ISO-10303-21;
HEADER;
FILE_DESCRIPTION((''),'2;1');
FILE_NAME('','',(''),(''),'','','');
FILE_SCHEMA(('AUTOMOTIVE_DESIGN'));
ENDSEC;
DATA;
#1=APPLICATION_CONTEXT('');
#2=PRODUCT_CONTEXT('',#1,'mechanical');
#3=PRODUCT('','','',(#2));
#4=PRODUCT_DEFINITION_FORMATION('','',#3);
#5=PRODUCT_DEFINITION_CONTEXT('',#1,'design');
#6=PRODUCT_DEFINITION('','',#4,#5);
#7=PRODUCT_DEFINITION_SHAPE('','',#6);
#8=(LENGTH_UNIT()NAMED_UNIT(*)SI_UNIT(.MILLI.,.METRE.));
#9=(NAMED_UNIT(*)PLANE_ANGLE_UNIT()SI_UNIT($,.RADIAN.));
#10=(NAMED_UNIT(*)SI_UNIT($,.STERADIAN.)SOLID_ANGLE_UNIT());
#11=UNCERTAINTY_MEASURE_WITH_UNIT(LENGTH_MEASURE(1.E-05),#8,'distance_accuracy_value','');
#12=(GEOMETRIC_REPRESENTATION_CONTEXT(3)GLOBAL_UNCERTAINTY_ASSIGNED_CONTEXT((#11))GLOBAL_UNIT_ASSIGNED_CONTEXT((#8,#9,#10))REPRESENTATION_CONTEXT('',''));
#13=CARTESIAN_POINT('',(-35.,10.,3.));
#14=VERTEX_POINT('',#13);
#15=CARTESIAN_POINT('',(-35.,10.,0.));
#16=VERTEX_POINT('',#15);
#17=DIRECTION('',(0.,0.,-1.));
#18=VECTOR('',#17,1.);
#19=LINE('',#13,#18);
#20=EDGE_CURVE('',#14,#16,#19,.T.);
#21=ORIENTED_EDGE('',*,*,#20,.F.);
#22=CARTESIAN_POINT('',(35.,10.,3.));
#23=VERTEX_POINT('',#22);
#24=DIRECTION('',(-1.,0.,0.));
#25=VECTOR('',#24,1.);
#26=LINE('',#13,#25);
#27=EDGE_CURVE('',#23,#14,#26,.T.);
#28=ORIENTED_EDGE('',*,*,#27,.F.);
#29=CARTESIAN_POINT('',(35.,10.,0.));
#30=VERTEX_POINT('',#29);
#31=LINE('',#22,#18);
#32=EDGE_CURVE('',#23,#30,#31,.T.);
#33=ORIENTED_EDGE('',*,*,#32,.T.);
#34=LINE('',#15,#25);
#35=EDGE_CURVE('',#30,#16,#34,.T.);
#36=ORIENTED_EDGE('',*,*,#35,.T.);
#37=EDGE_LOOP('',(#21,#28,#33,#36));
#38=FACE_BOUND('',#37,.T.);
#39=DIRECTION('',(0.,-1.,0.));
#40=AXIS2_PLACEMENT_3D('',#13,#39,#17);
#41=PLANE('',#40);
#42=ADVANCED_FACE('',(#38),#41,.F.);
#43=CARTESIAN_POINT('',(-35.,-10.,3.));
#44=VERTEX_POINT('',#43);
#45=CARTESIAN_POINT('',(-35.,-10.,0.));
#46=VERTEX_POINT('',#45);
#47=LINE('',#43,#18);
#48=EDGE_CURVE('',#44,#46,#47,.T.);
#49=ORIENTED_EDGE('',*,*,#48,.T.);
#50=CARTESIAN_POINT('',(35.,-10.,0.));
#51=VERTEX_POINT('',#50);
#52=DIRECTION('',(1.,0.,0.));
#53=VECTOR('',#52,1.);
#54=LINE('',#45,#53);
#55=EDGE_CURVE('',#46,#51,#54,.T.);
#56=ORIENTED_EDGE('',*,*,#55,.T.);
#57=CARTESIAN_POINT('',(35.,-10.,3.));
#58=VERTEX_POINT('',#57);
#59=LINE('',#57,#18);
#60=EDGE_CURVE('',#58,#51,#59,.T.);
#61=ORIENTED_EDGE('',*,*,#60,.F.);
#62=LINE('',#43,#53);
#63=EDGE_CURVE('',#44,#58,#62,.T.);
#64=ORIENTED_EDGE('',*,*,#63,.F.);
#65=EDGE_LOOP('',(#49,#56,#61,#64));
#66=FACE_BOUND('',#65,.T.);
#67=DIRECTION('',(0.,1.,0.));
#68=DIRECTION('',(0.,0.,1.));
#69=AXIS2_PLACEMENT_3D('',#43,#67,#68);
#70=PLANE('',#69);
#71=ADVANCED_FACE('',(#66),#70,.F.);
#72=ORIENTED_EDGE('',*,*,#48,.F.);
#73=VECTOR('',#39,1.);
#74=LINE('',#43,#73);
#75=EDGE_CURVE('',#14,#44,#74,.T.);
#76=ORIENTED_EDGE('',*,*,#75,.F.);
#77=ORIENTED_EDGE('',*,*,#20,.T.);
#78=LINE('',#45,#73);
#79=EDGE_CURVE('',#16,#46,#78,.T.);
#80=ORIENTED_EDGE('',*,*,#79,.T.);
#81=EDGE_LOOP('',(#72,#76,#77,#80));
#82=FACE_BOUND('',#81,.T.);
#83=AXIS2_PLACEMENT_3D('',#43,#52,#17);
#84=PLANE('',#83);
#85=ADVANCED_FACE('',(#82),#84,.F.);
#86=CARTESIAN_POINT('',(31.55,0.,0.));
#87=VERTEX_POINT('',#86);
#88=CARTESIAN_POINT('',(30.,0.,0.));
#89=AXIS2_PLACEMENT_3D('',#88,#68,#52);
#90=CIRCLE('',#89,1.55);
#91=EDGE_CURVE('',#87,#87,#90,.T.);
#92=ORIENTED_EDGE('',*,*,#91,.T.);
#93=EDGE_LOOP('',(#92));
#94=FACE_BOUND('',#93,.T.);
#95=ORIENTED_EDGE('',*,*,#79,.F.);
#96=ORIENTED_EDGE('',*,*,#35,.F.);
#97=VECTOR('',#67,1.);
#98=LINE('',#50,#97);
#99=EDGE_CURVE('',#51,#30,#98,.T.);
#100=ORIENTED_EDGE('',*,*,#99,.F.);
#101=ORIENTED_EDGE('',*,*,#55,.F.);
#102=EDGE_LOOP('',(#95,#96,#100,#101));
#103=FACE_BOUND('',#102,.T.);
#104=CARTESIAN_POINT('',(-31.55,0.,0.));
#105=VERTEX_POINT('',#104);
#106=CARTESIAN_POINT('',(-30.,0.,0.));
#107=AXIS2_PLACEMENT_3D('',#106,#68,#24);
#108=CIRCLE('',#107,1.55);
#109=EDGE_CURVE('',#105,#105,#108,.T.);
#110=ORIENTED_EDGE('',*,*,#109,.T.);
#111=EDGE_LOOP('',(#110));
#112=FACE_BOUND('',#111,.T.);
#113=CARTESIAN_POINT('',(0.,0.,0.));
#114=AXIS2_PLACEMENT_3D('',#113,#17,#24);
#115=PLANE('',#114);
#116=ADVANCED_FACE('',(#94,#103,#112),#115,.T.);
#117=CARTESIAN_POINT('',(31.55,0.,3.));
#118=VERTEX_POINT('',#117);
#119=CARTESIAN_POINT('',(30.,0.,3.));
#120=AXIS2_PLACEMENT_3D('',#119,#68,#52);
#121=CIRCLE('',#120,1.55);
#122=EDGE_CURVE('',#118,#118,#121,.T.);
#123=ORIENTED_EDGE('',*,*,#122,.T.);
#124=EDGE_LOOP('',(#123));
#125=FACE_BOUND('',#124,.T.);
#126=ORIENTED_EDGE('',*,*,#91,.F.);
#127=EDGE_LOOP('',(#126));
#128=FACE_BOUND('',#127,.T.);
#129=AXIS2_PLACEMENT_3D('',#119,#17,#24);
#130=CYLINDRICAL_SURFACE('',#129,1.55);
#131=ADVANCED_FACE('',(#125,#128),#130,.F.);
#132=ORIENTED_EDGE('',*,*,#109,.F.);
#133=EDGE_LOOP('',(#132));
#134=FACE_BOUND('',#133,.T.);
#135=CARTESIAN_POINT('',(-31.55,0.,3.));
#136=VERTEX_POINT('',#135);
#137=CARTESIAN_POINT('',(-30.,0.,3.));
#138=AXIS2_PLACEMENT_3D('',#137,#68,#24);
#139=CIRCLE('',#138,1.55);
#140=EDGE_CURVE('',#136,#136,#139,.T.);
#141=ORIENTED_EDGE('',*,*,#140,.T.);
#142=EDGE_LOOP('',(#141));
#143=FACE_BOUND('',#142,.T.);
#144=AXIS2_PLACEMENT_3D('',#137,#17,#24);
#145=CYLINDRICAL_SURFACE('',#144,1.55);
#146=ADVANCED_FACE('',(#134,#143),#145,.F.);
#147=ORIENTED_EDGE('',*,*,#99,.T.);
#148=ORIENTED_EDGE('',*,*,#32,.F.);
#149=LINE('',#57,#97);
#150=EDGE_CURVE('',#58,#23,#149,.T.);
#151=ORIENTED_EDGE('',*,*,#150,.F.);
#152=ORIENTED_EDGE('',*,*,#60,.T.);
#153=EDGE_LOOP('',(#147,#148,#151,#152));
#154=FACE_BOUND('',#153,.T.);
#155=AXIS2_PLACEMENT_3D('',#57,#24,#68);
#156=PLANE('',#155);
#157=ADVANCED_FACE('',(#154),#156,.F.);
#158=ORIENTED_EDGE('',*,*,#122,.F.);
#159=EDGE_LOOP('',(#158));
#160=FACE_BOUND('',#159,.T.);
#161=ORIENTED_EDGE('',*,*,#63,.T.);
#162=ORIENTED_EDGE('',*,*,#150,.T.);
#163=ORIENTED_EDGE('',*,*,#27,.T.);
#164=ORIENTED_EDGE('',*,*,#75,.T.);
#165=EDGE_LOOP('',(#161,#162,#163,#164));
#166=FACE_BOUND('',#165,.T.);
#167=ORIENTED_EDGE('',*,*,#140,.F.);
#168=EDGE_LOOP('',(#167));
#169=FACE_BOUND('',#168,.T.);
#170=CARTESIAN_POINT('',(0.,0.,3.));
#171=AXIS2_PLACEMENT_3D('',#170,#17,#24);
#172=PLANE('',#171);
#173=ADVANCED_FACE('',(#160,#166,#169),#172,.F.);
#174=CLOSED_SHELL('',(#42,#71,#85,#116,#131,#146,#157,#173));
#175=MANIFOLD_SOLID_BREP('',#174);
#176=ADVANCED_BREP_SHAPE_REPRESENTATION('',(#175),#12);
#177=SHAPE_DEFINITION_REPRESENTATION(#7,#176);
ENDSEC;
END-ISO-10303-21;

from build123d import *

# Parameters (mm, degrees)
SKETCH1_W           = 70
SKETCH1_H           = 20
SKETCH1_R           = 1.55
BOSS_EXTRUDE1_DEPTH = 3


with BuildPart() as part:
    # Sketch1 → Boss-Extrude1 (new body)
    with BuildSketch(Plane.XY):
        Rectangle(SKETCH1_W, SKETCH1_H)
        with Locations((30, 0)):
            Circle(SKETCH1_R, mode=Mode.SUBTRACT)
        with Locations((-30, 0)):
            Circle(SKETCH1_R, mode=Mode.SUBTRACT)
    extrude(amount=BOSS_EXTRUDE1_DEPTH)


solid = part.part
